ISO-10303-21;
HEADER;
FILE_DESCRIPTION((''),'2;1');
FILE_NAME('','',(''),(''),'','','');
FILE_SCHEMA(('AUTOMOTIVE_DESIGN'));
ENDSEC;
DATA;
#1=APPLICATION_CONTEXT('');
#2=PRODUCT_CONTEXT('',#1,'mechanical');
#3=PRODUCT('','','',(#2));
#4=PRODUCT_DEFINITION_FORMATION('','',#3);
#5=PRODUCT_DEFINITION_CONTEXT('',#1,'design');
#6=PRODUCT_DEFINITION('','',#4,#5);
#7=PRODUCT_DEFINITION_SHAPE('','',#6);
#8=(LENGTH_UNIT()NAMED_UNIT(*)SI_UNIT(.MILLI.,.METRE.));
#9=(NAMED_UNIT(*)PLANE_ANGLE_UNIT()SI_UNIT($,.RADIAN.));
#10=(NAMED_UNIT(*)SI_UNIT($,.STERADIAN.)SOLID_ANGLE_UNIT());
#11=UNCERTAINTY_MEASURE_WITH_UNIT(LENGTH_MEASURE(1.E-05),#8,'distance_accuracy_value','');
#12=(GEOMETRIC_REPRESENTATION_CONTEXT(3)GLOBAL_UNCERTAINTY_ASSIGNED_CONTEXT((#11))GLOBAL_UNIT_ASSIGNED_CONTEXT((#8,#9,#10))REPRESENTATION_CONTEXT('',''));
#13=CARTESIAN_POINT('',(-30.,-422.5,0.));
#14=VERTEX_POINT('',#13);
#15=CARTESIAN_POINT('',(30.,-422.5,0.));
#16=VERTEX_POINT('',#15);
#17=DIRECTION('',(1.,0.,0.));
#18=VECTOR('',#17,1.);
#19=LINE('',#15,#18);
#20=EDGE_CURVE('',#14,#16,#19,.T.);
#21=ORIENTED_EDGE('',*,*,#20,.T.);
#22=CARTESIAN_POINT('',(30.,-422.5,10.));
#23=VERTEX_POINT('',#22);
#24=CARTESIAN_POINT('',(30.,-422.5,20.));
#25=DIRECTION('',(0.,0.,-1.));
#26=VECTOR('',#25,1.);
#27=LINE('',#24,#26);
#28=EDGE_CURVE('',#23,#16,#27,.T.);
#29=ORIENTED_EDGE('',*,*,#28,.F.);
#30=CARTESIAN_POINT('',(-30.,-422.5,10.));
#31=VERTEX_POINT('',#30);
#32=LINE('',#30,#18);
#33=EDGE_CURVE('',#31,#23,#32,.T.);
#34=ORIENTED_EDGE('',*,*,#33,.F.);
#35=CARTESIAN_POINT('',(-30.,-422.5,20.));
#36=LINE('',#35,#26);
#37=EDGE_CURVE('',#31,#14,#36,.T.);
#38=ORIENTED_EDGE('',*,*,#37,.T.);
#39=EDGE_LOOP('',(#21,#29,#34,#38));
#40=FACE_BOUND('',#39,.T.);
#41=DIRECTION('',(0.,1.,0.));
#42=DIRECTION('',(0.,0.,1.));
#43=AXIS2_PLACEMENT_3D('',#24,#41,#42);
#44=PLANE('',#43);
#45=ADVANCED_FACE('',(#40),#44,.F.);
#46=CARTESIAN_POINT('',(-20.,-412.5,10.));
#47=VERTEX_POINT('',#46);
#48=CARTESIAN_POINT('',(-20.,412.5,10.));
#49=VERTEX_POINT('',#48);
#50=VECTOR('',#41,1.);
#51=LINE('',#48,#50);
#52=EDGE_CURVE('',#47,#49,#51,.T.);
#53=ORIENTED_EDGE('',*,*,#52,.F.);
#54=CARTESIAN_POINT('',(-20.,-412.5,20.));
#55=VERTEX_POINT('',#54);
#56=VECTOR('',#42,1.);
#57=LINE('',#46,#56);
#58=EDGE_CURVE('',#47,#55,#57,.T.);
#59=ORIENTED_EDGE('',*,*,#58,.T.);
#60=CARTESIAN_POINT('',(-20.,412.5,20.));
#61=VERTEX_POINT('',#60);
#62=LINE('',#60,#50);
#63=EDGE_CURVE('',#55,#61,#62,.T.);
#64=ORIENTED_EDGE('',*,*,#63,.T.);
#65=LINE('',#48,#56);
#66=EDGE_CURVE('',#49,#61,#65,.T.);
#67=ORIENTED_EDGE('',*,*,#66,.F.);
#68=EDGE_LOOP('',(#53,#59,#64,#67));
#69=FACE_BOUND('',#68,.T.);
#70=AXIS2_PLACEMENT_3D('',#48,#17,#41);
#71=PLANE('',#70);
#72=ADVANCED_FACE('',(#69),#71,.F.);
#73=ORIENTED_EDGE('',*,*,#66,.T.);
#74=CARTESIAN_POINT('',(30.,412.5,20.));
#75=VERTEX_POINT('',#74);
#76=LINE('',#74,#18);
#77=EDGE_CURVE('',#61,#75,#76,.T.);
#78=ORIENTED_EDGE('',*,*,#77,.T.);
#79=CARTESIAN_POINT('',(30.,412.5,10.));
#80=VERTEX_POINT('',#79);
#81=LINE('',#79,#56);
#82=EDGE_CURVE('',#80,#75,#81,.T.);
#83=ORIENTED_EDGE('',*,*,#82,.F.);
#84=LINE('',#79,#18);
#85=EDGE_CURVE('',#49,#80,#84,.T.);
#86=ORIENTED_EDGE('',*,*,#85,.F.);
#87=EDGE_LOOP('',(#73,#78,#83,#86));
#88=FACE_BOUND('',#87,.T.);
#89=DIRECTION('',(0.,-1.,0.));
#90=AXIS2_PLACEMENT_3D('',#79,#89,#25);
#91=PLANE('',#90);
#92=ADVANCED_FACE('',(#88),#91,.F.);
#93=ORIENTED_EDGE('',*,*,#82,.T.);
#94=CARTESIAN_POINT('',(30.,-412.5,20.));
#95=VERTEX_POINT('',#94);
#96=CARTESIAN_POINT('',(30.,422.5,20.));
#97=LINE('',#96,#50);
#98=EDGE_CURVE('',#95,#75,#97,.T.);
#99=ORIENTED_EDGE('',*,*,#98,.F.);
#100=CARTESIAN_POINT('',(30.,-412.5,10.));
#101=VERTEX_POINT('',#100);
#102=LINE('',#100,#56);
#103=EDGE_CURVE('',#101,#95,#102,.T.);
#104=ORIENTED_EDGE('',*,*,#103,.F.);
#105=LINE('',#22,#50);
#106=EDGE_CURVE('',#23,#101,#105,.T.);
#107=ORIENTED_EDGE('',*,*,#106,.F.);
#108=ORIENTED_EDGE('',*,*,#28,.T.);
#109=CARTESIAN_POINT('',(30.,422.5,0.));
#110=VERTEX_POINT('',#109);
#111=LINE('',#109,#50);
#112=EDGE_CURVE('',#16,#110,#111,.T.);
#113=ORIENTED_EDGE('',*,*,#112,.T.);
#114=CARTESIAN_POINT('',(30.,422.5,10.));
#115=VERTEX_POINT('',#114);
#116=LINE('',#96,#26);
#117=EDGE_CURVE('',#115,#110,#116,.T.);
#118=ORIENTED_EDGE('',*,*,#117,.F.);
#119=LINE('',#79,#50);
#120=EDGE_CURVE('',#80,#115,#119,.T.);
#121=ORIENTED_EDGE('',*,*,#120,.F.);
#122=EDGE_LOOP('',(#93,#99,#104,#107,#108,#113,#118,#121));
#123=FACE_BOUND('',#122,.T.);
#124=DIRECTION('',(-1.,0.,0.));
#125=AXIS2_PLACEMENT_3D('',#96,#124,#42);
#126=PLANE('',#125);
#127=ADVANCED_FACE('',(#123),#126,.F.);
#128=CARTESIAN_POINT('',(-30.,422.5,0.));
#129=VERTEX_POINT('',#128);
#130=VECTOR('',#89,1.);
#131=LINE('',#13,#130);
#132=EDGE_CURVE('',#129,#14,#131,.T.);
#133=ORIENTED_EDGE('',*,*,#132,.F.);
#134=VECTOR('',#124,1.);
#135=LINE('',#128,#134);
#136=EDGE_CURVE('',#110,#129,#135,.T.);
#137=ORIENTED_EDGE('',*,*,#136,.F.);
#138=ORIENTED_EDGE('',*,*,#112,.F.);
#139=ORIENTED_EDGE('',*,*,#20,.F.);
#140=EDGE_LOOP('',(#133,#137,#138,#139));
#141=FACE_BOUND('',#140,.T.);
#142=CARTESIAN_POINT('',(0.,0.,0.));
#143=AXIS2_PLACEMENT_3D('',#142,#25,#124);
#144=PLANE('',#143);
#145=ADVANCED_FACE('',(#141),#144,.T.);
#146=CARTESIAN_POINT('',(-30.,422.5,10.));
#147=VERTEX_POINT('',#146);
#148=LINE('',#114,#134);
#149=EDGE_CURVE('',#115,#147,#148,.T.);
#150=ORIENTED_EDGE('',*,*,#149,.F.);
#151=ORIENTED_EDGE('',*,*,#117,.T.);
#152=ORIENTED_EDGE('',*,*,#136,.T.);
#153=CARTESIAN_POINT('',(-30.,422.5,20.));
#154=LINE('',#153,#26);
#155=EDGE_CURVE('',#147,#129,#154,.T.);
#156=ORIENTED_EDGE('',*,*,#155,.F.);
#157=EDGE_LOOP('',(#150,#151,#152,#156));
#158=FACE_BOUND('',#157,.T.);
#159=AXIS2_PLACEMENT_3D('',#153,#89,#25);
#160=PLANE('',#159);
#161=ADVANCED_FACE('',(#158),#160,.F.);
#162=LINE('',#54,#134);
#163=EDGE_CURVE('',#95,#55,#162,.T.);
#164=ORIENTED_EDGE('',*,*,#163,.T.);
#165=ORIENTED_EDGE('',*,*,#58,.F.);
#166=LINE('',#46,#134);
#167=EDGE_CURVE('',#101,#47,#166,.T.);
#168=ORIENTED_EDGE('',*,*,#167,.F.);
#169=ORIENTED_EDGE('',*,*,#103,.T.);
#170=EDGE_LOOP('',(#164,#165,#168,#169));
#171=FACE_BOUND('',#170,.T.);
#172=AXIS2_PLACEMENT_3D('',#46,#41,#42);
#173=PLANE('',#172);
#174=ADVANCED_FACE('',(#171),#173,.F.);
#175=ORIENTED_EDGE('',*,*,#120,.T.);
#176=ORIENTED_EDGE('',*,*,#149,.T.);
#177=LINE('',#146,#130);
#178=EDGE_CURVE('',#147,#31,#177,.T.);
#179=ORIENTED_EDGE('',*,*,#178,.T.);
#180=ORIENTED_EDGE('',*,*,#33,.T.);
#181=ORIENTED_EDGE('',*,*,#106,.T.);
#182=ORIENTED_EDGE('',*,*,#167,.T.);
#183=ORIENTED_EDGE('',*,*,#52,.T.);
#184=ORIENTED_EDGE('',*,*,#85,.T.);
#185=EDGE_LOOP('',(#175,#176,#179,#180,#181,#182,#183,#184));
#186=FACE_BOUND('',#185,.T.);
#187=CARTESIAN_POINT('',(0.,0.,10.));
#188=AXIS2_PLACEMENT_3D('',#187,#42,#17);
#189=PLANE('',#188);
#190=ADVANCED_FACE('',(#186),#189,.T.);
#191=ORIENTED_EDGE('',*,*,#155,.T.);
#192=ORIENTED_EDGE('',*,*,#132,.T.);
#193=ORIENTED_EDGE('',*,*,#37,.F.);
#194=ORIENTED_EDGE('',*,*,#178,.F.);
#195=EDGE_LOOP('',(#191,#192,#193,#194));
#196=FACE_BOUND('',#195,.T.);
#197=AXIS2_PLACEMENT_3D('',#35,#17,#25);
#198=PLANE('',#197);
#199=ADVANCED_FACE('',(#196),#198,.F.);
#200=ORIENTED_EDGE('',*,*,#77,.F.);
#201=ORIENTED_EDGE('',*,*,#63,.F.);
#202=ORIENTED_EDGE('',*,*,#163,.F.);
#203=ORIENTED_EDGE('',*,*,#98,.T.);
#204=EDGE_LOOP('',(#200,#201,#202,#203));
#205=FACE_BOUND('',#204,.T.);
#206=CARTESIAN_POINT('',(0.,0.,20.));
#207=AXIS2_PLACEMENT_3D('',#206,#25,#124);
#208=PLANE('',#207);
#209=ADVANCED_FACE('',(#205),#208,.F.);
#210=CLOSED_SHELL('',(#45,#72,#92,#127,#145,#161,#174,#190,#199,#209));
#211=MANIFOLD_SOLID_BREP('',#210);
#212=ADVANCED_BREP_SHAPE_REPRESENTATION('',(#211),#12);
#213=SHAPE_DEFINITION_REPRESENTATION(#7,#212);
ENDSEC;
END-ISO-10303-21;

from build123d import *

# Parameters (mm, degrees)
SKETCH1_W           = 60
SKETCH1_H           = 845
BOSS_EXTRUDE1_DEPTH = 20
CUT_EXTRUDE1_DEPTH  = 10


with BuildPart() as part:
    # Sketch1 → Boss-Extrude1 (new body)
    with BuildSketch(Plane.XY):
        Rectangle(SKETCH1_W, SKETCH1_H)
    extrude(amount=BOSS_EXTRUDE1_DEPTH)

    # Sketch2 → Cut-Extrude1 (cut)
    with BuildSketch(Plane.XY.offset(20)):
        Polygon((30, 412.5), (-20, 412.5), (-20, -412.5), (30, -412.5), (30, -422.5), (-30, -422.5), (-30, 422.5), (30, 422.5), align=None)
    extrude(amount=-CUT_EXTRUDE1_DEPTH, mode=Mode.SUBTRACT)


solid = part.part
